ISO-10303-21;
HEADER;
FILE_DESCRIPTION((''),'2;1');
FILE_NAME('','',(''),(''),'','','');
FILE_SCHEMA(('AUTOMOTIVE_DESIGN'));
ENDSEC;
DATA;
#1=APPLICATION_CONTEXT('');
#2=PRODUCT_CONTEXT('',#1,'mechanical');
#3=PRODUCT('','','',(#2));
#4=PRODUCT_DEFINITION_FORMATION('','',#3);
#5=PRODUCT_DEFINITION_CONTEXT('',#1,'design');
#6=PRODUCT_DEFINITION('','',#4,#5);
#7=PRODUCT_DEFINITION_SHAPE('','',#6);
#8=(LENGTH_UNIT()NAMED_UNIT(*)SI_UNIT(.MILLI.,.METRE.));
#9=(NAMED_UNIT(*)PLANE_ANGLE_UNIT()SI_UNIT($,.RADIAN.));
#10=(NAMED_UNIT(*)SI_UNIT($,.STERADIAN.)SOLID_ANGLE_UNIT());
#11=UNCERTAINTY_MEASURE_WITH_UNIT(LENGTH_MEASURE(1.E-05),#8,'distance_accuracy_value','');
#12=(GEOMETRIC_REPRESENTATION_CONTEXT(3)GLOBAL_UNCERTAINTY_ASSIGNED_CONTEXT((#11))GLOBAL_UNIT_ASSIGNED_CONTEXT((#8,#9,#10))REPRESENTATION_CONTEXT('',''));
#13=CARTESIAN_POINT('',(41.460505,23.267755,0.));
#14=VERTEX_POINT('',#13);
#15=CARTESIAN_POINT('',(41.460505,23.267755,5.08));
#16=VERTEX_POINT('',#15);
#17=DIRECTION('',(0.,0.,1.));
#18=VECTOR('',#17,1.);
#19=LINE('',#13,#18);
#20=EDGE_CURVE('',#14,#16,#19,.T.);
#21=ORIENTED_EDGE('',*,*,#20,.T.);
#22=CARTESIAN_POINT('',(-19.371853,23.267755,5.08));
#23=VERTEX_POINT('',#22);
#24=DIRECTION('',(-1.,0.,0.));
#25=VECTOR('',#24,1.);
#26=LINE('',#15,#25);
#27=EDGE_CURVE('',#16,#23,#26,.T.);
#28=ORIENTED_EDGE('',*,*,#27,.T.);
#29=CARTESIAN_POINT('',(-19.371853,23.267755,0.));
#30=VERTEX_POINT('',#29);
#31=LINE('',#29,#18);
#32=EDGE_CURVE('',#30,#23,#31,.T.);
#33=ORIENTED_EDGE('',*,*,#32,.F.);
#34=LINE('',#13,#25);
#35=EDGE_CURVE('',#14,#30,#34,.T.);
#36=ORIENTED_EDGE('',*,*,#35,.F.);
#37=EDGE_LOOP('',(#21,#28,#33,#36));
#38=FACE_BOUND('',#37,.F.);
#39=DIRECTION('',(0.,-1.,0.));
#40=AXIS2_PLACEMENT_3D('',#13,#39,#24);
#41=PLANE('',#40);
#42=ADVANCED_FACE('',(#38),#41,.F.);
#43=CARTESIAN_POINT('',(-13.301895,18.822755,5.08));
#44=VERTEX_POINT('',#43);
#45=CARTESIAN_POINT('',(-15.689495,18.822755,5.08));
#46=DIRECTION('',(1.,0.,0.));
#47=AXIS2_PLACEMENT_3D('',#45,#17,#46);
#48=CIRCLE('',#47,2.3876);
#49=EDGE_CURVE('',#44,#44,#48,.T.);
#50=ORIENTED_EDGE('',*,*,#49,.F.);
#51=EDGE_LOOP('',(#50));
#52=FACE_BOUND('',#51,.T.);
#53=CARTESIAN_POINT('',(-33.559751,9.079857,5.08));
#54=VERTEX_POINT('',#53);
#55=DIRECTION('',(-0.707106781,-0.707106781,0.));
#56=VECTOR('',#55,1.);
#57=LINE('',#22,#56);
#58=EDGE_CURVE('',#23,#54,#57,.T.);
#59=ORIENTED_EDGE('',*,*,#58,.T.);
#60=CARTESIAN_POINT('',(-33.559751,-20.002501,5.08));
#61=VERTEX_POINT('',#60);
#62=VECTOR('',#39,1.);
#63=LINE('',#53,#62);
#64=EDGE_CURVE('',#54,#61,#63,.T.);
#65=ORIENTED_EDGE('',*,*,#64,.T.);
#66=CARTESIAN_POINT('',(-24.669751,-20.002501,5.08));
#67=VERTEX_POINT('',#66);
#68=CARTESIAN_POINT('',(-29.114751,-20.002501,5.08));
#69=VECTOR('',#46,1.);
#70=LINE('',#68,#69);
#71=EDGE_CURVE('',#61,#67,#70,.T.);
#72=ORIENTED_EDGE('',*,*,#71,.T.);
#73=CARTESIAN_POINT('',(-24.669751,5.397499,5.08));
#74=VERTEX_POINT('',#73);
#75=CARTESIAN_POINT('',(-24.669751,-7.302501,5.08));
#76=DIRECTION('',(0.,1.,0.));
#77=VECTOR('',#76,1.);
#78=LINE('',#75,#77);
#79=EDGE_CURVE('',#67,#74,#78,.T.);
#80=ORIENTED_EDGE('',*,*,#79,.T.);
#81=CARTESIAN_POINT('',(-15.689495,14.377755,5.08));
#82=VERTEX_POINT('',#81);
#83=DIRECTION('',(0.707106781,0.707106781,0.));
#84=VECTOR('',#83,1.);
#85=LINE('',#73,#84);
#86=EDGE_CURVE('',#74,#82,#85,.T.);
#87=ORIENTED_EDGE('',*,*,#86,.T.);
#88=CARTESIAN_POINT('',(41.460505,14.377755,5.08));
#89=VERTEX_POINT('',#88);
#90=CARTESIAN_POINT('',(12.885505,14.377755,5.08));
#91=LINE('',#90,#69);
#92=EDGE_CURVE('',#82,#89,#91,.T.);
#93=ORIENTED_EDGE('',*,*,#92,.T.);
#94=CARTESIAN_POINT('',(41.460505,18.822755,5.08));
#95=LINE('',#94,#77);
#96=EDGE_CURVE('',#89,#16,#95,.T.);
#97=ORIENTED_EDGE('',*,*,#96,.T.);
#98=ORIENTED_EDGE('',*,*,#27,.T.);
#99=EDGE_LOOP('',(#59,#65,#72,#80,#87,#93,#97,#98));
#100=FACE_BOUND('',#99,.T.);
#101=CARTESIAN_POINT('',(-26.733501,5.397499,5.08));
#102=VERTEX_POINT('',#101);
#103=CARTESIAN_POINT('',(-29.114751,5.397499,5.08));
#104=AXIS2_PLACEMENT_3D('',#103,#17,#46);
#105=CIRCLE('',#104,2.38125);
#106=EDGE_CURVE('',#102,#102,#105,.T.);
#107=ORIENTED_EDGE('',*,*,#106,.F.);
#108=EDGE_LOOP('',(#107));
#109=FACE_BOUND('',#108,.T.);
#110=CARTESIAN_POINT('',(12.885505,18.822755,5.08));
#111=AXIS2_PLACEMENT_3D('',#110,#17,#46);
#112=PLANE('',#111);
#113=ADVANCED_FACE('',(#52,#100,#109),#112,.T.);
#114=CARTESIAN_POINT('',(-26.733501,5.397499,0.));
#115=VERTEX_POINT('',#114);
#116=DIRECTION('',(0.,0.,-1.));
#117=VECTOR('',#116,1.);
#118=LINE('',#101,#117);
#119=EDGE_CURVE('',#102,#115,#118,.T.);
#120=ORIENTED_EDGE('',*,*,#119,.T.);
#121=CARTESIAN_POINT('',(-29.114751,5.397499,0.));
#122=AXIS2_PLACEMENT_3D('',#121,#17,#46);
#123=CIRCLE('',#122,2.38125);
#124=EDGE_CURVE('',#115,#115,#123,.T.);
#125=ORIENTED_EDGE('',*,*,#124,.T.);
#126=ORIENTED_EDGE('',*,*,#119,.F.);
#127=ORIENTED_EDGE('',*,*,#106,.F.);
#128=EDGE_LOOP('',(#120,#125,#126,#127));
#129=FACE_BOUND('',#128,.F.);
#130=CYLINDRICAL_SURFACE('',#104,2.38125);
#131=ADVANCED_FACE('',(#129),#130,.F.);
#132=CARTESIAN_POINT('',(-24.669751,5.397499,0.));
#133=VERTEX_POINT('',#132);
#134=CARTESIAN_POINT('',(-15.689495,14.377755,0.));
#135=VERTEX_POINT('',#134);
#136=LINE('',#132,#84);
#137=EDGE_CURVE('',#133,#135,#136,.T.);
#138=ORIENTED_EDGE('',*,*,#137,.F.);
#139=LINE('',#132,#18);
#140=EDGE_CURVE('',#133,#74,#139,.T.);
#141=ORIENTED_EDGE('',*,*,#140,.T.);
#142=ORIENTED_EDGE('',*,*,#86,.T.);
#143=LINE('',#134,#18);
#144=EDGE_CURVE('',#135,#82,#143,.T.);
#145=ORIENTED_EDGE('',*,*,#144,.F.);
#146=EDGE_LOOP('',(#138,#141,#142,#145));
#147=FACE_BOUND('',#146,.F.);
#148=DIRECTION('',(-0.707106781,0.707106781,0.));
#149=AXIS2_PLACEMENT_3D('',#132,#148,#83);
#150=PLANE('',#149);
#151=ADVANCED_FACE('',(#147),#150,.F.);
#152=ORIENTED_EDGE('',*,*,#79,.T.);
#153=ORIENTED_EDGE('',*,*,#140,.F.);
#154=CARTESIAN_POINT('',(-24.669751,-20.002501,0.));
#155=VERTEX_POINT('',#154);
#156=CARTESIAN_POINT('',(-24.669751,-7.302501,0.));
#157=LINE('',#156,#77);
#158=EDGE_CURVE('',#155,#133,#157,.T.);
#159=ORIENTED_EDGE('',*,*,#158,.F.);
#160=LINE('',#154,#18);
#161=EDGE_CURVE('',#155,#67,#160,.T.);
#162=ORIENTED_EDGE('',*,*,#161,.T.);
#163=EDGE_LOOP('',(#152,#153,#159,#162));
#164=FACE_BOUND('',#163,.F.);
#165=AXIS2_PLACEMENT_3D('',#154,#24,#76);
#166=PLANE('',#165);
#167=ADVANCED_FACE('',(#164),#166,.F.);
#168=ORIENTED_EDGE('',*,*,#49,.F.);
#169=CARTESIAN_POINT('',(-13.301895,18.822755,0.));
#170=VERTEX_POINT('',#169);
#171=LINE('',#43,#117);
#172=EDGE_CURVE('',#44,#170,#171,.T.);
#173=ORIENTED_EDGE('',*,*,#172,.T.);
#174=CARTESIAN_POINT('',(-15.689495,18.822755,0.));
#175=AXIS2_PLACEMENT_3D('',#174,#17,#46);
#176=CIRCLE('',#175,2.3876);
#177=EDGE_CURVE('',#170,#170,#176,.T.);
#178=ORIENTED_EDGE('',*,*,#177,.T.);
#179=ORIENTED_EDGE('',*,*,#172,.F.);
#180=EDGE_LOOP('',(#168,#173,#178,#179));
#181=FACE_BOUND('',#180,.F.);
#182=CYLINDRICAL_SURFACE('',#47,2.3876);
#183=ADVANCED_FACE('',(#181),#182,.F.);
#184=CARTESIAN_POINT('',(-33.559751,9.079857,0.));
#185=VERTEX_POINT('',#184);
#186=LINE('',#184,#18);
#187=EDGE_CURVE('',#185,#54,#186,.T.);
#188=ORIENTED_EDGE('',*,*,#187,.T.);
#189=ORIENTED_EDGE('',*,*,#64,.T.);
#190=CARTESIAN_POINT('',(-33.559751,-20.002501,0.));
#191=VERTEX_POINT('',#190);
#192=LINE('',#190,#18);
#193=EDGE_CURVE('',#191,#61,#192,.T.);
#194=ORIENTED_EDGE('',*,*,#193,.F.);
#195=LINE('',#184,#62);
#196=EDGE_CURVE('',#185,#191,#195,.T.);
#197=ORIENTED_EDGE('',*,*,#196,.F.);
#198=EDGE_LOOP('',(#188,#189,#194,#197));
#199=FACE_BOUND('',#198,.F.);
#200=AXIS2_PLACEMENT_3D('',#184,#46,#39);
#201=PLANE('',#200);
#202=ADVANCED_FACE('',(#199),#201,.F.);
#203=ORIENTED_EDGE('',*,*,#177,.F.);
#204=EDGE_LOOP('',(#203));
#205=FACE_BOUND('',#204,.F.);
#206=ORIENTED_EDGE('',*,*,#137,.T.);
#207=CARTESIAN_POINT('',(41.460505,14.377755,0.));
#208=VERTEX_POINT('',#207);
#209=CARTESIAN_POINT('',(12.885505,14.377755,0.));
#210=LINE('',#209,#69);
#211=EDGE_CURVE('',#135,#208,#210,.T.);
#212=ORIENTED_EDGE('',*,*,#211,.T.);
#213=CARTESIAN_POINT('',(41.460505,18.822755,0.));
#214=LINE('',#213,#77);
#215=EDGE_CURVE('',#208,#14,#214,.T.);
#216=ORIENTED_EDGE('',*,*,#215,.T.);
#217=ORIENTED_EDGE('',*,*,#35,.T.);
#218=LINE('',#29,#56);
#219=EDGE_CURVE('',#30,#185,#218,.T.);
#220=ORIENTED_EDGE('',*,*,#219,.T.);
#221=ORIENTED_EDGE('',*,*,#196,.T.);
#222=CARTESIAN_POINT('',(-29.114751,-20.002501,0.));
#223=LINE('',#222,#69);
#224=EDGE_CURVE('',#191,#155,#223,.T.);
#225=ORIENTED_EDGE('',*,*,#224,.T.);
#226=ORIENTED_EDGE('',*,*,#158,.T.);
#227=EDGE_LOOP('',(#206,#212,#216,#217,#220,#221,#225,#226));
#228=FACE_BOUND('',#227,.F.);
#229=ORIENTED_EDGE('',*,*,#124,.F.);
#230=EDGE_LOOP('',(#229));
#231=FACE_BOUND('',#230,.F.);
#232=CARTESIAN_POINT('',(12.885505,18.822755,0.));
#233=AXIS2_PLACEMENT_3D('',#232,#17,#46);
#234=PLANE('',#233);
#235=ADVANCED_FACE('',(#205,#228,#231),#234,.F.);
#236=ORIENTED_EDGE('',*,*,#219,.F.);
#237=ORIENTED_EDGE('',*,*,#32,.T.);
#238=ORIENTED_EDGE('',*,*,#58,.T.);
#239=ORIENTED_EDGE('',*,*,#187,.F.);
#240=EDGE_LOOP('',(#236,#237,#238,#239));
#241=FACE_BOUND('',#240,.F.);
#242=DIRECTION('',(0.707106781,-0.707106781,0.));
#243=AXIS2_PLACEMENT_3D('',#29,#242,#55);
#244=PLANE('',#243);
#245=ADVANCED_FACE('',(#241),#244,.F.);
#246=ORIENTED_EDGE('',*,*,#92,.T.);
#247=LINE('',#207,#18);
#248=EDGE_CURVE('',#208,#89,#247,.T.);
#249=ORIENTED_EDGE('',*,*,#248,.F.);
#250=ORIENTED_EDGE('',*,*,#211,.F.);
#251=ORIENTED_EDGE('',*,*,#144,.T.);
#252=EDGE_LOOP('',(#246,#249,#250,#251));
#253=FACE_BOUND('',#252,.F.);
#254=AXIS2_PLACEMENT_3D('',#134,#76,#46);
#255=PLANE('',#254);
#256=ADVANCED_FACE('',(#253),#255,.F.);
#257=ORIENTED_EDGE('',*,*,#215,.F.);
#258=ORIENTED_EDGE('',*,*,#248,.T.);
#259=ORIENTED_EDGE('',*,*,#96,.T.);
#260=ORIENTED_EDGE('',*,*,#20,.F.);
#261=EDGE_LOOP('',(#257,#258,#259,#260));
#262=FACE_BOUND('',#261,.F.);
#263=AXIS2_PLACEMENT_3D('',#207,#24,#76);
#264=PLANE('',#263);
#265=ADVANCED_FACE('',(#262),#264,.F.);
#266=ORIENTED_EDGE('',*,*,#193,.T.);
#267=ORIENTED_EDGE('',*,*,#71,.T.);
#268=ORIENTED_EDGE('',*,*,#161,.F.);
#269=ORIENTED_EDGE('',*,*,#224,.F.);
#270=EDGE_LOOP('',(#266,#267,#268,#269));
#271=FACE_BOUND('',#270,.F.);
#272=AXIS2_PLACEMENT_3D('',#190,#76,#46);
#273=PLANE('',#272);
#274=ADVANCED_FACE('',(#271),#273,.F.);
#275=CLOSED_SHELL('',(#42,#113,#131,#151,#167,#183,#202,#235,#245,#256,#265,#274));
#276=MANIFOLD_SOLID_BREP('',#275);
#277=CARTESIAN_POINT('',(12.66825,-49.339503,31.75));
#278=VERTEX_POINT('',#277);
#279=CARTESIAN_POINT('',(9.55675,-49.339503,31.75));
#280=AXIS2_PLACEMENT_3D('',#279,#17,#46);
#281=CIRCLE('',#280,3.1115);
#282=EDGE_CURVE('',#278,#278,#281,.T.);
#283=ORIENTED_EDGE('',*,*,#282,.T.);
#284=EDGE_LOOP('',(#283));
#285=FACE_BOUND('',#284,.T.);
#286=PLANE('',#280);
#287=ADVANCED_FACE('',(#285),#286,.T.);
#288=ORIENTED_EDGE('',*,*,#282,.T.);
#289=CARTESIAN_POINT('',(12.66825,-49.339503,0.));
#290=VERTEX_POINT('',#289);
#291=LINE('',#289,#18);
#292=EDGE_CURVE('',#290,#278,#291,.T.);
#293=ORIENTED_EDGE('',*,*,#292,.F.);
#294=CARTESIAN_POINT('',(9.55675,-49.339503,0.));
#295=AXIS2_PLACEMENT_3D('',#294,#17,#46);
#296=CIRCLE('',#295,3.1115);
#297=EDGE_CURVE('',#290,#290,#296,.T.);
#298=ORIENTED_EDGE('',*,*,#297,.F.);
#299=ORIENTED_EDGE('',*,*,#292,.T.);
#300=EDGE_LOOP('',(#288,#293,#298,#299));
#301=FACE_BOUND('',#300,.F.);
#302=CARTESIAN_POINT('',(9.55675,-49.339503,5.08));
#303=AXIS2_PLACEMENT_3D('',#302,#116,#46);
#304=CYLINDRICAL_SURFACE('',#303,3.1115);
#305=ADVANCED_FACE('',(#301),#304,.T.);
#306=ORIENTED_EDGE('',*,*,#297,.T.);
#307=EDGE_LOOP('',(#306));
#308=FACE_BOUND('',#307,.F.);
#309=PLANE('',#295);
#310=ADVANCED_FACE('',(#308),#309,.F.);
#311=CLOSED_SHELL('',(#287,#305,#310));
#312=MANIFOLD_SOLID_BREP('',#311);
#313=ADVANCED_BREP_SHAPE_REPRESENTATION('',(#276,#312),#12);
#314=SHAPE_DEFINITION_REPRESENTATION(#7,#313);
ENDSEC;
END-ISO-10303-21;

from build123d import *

# Parameters (mm, degrees)
F0_W      = 57.15
F0_H      = 8.89
F0_W_2    = 8.89
F0_H_2    = 25.4
F0_R      = 3.1115
F1_DEPTH  = 5.08
F2_R      = 2.38125
F2_R_2    = 2.3876
F3_DEPTH  = 5.081
F1_FACE_R = 3.1115
F4_DEPTH  = 26.67


with BuildPart() as f1:
    # F0 (on Top) → F1 (new body)
    with BuildSketch(Plane.XY):
        with Locations((12.885505, 18.822755)):
            Rectangle(F0_W, F0_H)
        with Locations((-29.114751, -7.302501)):
            Rectangle(F0_W_2, F0_H_2)
        Polygon((-15.689495, 14.377755), (-15.689495, 23.267755), (-19.371853, 23.267755), (-26.465802, 16.173806), (-33.559751, 9.079857), (-33.559751, 5.397499), (-24.669751, 5.397499), align=None)
        with Locations((9.55675, -49.339503)):
            Circle(F0_R)
    extrude(amount=F1_DEPTH)

    # F2 (on face) → F3 (cut, through all)
    with BuildSketch(Plane.XY.offset(5.08)):
        with Locations((-29.114751, 5.397499)):
            Circle(F2_R)
        with Locations((-15.689495, 18.822755)):
            Circle(F2_R_2)
    extrude(amount=-F3_DEPTH, mode=Mode.SUBTRACT)

    # F1_face (on face) → F4 (join)
    with BuildSketch(Plane(origin=(9.55675, -49.339503, 5.08), x_dir=(1, 0, 0), z_dir=(0, 0, 1))):
        Circle(F1_FACE_R)
    extrude(amount=F4_DEPTH)


solid = f1.part
